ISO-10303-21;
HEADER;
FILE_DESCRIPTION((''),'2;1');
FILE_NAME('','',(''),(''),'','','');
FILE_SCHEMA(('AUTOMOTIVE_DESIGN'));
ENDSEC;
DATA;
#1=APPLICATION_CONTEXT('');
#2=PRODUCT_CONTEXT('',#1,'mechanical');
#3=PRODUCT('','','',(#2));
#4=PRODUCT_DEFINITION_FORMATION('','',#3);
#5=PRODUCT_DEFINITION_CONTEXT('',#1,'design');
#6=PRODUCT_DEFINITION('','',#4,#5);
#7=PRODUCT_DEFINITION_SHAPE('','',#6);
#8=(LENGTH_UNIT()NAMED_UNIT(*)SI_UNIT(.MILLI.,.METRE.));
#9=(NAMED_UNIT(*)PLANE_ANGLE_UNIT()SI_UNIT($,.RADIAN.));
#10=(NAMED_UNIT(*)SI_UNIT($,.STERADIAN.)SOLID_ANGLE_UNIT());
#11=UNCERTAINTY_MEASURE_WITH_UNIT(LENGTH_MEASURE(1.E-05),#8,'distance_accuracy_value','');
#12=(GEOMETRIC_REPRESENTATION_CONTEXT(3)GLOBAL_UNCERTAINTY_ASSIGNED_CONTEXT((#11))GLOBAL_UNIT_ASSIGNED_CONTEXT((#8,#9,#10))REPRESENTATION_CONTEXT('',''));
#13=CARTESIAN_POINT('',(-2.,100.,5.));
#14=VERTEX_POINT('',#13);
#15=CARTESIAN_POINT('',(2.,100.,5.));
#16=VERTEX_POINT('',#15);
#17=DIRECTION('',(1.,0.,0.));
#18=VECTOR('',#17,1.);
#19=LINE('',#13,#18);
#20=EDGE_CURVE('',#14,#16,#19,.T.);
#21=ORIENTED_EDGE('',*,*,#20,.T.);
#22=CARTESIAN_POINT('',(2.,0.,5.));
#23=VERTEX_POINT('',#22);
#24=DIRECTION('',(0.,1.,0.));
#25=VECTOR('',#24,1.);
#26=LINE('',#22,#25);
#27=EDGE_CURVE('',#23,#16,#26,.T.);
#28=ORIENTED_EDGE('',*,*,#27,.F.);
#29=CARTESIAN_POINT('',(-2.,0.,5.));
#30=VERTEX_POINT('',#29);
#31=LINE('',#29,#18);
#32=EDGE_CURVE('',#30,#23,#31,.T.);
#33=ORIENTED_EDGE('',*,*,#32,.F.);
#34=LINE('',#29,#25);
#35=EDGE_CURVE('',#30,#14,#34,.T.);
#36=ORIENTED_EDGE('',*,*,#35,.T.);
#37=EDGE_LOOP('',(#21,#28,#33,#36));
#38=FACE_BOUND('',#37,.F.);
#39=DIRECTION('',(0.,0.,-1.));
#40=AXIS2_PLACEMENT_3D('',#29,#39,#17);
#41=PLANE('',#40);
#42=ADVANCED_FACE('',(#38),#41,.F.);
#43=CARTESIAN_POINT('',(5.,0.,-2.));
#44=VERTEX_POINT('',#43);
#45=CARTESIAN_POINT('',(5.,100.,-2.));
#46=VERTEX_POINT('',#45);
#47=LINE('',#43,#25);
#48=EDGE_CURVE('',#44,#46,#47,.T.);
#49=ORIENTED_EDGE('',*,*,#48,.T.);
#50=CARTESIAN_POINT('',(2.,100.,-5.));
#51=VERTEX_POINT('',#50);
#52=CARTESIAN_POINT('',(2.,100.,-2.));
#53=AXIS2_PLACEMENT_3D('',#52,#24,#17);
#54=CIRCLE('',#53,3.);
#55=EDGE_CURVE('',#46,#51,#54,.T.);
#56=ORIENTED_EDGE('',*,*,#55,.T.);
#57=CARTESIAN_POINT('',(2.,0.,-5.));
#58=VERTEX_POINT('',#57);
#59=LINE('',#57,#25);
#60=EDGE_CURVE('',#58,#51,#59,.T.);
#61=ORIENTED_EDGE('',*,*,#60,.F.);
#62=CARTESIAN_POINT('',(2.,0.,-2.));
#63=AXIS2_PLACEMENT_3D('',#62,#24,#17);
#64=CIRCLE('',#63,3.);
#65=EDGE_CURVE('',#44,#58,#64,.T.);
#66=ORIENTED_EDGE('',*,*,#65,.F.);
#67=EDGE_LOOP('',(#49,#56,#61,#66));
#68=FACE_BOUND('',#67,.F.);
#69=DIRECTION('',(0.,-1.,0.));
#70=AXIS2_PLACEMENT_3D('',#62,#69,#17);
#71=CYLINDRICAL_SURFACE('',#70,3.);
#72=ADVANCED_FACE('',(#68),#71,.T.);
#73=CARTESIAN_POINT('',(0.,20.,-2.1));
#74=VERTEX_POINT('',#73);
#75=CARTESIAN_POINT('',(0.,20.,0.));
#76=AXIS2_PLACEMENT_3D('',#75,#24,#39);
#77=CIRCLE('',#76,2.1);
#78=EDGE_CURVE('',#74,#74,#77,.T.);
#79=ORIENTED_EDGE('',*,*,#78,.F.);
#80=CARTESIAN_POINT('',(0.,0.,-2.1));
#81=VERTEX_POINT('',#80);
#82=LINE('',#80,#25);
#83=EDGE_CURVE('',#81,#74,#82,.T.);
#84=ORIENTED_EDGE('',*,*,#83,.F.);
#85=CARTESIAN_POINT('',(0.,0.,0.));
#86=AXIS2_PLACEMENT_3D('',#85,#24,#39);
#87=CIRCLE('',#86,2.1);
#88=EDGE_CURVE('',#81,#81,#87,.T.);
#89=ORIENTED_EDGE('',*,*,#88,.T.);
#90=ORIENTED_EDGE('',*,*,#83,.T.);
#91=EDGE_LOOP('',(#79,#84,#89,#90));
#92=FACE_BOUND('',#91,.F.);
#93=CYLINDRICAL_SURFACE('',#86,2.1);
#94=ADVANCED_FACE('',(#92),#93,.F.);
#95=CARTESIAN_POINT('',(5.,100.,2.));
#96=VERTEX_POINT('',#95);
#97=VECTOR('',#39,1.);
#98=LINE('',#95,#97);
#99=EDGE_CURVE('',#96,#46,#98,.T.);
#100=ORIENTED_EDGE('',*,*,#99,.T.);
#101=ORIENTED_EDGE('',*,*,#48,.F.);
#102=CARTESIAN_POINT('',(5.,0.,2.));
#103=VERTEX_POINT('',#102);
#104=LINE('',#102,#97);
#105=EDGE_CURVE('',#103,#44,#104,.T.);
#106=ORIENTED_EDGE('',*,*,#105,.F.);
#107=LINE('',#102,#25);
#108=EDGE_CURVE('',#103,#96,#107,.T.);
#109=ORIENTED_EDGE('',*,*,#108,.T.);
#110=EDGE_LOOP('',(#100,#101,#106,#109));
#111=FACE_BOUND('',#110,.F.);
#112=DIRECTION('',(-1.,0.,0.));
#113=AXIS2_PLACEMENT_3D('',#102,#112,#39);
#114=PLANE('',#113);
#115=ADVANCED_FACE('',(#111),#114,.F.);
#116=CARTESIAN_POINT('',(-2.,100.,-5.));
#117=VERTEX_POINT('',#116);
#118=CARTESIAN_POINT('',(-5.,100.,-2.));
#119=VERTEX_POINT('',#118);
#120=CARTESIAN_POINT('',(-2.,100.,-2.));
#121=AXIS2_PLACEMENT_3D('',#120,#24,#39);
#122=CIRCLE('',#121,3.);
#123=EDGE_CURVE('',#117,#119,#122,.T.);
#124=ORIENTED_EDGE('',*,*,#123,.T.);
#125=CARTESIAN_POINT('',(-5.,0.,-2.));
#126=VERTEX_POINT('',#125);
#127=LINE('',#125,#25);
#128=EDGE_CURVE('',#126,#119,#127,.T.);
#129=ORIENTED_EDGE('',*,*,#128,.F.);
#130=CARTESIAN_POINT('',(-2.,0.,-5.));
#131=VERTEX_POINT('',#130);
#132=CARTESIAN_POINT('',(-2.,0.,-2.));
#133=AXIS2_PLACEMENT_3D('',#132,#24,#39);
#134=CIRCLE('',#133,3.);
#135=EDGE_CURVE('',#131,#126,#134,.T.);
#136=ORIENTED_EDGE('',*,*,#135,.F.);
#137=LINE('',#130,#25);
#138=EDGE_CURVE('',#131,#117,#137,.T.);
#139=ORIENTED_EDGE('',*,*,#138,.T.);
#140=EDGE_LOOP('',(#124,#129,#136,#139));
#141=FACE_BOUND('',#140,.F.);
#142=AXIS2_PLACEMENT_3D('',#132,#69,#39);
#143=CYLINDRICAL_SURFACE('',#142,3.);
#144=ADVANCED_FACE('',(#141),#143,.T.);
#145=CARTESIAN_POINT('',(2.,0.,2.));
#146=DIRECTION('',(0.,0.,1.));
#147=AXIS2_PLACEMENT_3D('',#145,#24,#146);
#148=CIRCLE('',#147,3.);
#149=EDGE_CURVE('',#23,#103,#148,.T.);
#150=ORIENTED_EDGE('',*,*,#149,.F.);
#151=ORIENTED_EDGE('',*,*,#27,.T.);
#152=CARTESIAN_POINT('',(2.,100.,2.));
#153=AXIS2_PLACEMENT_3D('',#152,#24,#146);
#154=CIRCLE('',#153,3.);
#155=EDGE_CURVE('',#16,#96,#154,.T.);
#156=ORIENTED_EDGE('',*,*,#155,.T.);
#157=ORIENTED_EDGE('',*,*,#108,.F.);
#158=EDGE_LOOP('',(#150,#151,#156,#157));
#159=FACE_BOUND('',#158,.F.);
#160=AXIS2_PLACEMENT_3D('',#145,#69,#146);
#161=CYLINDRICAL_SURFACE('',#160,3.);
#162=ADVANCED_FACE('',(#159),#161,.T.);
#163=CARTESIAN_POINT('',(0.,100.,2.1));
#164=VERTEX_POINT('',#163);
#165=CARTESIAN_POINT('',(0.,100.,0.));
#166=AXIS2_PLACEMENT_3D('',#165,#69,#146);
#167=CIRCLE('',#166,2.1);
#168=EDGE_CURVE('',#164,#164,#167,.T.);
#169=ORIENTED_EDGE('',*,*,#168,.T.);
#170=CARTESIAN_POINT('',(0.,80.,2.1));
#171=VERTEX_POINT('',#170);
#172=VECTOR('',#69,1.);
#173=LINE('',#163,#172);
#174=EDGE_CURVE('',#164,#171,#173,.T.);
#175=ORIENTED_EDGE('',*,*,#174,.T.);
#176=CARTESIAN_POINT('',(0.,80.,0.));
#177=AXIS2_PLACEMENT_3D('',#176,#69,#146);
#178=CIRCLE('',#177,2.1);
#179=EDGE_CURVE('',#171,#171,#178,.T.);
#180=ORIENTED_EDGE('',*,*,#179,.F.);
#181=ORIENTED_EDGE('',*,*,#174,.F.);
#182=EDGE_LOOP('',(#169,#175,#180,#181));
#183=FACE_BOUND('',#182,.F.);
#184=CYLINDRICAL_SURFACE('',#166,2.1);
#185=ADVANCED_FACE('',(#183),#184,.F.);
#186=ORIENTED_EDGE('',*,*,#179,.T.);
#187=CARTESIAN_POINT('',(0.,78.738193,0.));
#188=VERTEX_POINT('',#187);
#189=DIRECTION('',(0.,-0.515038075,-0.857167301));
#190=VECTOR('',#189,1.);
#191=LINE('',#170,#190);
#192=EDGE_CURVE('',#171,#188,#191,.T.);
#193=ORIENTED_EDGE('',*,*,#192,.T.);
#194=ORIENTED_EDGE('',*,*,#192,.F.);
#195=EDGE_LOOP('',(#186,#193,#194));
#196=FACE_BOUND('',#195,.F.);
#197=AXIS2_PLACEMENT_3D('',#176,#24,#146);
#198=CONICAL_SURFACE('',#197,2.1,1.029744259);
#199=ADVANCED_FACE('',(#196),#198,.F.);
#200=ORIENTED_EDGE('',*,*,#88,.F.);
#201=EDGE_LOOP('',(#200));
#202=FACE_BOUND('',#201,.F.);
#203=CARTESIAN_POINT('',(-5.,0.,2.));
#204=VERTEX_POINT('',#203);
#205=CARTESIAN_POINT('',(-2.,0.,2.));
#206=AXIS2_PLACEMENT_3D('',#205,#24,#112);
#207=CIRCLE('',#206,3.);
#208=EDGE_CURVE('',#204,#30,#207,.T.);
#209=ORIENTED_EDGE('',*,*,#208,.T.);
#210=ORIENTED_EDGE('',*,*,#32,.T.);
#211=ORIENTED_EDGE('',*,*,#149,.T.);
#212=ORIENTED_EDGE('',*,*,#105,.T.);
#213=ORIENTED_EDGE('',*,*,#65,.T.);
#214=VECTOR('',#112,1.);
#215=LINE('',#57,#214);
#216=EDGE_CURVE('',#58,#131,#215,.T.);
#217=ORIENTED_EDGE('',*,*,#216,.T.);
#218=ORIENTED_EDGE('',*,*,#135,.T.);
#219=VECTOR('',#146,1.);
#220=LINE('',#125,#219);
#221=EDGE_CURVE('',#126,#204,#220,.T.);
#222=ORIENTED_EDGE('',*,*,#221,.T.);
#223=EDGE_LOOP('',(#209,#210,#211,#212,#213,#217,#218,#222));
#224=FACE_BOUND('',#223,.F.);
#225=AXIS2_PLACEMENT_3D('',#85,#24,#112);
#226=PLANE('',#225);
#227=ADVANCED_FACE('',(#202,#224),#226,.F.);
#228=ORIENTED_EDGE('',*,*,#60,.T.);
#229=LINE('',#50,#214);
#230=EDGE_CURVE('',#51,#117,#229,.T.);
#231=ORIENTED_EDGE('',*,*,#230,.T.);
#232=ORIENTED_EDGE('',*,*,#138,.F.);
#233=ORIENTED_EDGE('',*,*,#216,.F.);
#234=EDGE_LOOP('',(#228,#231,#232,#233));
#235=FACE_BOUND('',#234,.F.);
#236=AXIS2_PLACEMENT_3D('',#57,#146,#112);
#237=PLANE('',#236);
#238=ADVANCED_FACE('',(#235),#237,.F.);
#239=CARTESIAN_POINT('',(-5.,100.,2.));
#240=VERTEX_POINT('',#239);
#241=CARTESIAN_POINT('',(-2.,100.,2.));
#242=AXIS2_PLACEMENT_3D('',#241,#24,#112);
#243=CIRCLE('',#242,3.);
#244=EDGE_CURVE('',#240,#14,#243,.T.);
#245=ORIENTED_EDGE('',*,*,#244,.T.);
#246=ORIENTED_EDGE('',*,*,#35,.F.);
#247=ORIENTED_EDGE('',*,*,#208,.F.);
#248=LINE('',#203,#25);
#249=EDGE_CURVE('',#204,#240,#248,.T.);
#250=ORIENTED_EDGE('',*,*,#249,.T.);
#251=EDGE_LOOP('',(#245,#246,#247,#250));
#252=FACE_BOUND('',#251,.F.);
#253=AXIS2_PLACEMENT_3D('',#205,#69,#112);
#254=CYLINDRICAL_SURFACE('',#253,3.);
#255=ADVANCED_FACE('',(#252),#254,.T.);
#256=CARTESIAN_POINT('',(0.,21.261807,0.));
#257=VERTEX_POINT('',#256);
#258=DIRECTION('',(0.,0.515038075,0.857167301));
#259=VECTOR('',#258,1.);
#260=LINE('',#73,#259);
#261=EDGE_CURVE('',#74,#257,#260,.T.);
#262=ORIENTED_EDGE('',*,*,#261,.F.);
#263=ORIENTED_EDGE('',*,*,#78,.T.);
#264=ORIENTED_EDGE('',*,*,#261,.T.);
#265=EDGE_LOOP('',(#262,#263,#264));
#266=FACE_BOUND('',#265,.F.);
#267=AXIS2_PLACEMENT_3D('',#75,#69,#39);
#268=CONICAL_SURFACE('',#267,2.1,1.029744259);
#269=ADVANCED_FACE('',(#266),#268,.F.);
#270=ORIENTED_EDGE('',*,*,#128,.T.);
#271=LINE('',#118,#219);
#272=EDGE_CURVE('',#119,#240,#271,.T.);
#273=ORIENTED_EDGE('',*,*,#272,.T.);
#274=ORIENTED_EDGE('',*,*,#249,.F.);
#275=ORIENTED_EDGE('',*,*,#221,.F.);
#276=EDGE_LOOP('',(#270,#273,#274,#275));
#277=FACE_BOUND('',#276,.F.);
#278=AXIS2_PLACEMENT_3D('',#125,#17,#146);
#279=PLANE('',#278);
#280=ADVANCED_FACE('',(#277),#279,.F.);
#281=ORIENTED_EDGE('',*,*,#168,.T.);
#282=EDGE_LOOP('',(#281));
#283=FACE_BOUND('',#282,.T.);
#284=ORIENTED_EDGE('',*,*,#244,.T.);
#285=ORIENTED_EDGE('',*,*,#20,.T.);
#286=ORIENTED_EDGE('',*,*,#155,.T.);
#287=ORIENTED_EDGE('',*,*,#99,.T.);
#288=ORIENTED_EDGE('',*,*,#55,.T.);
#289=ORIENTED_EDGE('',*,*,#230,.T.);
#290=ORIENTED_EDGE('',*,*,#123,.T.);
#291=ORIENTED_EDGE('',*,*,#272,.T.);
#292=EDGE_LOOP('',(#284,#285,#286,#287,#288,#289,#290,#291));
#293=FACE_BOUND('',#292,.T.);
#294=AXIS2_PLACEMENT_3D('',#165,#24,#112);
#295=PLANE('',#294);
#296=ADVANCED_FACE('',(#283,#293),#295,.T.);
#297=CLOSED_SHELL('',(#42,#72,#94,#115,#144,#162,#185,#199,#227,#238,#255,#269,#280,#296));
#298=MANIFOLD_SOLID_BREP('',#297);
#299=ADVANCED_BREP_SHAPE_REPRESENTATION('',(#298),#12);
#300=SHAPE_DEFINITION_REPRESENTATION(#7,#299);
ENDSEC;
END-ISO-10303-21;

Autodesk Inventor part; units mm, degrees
ref_plane "YZ Plane" through (0, 0, 0) normal (1, 0, 0) x (0, 1, 0)
ref_plane "XZ Plane" through (0, 0, 0) normal (0, 1, 0) x (-1, 0, 0)
ref_plane "XY Plane" through (0, 0, 0) normal (0, 0, 1) x (1, 0, 0)
sketch "Boceto1" plane through (0, 0, 0) normal (0, 1, 0) x (-1, 0, 0)
  line L0 (-2, -5) -> (2, -5)
  line L1 (5, -2) -> (5, 2)
  line L2 (2, 5) -> (-2, 5)
  line L3 (-5, 2) -> (-5, -2)
  line L4 (-5, -5) -> (5, 5) construction
  line L5 (5, -5) -> (-5, 5) construction
  arc A0 (5, 2) -> (2, 5) centre (2, 2) ccw
  arc A1 (2, -5) -> (5, -2) centre (2, -2) ccw
  arc A2 (-5, -2) -> (-2, -5) centre (-2, -2) ccw
  arc A3 (-2, 5) -> (-5, 2) centre (-2, 2) ccw
  point P0 (0, 0)
  dimension "d0" = 10
  dimension "d1" = 10
  dimension "d2" = 3
extrude "Extrusión1" add sketch "Boceto1" along normal blind 100
sketch "Boceto2" plane through (0, 100, 0) normal (0, 1, 0) x (1, 0, 0)
  line L0 (2, 5) -> (-2, 5) projected
  line L1 (5, -2) -> (5, 2) projected
  point P0 (0, 0)
  point P1 (0, 0)
  dimension "d5" = 5
  dimension "d6" = 5
hole "Agujero1" at (0, 100, 0) direction (0, -1, 0) diameter 4.2 depth 20 tip angle 118
sketch "Boceto3" plane through (0, 0, 0) normal (0, -1, 0) x (1, 0, 0)
  line L0 (5, 2) -> (5, -2) projected
  line L1 (-2, 5) -> (2, 5) projected
  point P0 (0, 0)
  point P1 (0, 0)
  dimension "d14" = 5
  dimension "d15" = 5
hole "Agujero2" at (0, 0, 0) direction (0, 1, 0) diameter 4.2 depth 20 tip angle 118
properties part number "Columna"
